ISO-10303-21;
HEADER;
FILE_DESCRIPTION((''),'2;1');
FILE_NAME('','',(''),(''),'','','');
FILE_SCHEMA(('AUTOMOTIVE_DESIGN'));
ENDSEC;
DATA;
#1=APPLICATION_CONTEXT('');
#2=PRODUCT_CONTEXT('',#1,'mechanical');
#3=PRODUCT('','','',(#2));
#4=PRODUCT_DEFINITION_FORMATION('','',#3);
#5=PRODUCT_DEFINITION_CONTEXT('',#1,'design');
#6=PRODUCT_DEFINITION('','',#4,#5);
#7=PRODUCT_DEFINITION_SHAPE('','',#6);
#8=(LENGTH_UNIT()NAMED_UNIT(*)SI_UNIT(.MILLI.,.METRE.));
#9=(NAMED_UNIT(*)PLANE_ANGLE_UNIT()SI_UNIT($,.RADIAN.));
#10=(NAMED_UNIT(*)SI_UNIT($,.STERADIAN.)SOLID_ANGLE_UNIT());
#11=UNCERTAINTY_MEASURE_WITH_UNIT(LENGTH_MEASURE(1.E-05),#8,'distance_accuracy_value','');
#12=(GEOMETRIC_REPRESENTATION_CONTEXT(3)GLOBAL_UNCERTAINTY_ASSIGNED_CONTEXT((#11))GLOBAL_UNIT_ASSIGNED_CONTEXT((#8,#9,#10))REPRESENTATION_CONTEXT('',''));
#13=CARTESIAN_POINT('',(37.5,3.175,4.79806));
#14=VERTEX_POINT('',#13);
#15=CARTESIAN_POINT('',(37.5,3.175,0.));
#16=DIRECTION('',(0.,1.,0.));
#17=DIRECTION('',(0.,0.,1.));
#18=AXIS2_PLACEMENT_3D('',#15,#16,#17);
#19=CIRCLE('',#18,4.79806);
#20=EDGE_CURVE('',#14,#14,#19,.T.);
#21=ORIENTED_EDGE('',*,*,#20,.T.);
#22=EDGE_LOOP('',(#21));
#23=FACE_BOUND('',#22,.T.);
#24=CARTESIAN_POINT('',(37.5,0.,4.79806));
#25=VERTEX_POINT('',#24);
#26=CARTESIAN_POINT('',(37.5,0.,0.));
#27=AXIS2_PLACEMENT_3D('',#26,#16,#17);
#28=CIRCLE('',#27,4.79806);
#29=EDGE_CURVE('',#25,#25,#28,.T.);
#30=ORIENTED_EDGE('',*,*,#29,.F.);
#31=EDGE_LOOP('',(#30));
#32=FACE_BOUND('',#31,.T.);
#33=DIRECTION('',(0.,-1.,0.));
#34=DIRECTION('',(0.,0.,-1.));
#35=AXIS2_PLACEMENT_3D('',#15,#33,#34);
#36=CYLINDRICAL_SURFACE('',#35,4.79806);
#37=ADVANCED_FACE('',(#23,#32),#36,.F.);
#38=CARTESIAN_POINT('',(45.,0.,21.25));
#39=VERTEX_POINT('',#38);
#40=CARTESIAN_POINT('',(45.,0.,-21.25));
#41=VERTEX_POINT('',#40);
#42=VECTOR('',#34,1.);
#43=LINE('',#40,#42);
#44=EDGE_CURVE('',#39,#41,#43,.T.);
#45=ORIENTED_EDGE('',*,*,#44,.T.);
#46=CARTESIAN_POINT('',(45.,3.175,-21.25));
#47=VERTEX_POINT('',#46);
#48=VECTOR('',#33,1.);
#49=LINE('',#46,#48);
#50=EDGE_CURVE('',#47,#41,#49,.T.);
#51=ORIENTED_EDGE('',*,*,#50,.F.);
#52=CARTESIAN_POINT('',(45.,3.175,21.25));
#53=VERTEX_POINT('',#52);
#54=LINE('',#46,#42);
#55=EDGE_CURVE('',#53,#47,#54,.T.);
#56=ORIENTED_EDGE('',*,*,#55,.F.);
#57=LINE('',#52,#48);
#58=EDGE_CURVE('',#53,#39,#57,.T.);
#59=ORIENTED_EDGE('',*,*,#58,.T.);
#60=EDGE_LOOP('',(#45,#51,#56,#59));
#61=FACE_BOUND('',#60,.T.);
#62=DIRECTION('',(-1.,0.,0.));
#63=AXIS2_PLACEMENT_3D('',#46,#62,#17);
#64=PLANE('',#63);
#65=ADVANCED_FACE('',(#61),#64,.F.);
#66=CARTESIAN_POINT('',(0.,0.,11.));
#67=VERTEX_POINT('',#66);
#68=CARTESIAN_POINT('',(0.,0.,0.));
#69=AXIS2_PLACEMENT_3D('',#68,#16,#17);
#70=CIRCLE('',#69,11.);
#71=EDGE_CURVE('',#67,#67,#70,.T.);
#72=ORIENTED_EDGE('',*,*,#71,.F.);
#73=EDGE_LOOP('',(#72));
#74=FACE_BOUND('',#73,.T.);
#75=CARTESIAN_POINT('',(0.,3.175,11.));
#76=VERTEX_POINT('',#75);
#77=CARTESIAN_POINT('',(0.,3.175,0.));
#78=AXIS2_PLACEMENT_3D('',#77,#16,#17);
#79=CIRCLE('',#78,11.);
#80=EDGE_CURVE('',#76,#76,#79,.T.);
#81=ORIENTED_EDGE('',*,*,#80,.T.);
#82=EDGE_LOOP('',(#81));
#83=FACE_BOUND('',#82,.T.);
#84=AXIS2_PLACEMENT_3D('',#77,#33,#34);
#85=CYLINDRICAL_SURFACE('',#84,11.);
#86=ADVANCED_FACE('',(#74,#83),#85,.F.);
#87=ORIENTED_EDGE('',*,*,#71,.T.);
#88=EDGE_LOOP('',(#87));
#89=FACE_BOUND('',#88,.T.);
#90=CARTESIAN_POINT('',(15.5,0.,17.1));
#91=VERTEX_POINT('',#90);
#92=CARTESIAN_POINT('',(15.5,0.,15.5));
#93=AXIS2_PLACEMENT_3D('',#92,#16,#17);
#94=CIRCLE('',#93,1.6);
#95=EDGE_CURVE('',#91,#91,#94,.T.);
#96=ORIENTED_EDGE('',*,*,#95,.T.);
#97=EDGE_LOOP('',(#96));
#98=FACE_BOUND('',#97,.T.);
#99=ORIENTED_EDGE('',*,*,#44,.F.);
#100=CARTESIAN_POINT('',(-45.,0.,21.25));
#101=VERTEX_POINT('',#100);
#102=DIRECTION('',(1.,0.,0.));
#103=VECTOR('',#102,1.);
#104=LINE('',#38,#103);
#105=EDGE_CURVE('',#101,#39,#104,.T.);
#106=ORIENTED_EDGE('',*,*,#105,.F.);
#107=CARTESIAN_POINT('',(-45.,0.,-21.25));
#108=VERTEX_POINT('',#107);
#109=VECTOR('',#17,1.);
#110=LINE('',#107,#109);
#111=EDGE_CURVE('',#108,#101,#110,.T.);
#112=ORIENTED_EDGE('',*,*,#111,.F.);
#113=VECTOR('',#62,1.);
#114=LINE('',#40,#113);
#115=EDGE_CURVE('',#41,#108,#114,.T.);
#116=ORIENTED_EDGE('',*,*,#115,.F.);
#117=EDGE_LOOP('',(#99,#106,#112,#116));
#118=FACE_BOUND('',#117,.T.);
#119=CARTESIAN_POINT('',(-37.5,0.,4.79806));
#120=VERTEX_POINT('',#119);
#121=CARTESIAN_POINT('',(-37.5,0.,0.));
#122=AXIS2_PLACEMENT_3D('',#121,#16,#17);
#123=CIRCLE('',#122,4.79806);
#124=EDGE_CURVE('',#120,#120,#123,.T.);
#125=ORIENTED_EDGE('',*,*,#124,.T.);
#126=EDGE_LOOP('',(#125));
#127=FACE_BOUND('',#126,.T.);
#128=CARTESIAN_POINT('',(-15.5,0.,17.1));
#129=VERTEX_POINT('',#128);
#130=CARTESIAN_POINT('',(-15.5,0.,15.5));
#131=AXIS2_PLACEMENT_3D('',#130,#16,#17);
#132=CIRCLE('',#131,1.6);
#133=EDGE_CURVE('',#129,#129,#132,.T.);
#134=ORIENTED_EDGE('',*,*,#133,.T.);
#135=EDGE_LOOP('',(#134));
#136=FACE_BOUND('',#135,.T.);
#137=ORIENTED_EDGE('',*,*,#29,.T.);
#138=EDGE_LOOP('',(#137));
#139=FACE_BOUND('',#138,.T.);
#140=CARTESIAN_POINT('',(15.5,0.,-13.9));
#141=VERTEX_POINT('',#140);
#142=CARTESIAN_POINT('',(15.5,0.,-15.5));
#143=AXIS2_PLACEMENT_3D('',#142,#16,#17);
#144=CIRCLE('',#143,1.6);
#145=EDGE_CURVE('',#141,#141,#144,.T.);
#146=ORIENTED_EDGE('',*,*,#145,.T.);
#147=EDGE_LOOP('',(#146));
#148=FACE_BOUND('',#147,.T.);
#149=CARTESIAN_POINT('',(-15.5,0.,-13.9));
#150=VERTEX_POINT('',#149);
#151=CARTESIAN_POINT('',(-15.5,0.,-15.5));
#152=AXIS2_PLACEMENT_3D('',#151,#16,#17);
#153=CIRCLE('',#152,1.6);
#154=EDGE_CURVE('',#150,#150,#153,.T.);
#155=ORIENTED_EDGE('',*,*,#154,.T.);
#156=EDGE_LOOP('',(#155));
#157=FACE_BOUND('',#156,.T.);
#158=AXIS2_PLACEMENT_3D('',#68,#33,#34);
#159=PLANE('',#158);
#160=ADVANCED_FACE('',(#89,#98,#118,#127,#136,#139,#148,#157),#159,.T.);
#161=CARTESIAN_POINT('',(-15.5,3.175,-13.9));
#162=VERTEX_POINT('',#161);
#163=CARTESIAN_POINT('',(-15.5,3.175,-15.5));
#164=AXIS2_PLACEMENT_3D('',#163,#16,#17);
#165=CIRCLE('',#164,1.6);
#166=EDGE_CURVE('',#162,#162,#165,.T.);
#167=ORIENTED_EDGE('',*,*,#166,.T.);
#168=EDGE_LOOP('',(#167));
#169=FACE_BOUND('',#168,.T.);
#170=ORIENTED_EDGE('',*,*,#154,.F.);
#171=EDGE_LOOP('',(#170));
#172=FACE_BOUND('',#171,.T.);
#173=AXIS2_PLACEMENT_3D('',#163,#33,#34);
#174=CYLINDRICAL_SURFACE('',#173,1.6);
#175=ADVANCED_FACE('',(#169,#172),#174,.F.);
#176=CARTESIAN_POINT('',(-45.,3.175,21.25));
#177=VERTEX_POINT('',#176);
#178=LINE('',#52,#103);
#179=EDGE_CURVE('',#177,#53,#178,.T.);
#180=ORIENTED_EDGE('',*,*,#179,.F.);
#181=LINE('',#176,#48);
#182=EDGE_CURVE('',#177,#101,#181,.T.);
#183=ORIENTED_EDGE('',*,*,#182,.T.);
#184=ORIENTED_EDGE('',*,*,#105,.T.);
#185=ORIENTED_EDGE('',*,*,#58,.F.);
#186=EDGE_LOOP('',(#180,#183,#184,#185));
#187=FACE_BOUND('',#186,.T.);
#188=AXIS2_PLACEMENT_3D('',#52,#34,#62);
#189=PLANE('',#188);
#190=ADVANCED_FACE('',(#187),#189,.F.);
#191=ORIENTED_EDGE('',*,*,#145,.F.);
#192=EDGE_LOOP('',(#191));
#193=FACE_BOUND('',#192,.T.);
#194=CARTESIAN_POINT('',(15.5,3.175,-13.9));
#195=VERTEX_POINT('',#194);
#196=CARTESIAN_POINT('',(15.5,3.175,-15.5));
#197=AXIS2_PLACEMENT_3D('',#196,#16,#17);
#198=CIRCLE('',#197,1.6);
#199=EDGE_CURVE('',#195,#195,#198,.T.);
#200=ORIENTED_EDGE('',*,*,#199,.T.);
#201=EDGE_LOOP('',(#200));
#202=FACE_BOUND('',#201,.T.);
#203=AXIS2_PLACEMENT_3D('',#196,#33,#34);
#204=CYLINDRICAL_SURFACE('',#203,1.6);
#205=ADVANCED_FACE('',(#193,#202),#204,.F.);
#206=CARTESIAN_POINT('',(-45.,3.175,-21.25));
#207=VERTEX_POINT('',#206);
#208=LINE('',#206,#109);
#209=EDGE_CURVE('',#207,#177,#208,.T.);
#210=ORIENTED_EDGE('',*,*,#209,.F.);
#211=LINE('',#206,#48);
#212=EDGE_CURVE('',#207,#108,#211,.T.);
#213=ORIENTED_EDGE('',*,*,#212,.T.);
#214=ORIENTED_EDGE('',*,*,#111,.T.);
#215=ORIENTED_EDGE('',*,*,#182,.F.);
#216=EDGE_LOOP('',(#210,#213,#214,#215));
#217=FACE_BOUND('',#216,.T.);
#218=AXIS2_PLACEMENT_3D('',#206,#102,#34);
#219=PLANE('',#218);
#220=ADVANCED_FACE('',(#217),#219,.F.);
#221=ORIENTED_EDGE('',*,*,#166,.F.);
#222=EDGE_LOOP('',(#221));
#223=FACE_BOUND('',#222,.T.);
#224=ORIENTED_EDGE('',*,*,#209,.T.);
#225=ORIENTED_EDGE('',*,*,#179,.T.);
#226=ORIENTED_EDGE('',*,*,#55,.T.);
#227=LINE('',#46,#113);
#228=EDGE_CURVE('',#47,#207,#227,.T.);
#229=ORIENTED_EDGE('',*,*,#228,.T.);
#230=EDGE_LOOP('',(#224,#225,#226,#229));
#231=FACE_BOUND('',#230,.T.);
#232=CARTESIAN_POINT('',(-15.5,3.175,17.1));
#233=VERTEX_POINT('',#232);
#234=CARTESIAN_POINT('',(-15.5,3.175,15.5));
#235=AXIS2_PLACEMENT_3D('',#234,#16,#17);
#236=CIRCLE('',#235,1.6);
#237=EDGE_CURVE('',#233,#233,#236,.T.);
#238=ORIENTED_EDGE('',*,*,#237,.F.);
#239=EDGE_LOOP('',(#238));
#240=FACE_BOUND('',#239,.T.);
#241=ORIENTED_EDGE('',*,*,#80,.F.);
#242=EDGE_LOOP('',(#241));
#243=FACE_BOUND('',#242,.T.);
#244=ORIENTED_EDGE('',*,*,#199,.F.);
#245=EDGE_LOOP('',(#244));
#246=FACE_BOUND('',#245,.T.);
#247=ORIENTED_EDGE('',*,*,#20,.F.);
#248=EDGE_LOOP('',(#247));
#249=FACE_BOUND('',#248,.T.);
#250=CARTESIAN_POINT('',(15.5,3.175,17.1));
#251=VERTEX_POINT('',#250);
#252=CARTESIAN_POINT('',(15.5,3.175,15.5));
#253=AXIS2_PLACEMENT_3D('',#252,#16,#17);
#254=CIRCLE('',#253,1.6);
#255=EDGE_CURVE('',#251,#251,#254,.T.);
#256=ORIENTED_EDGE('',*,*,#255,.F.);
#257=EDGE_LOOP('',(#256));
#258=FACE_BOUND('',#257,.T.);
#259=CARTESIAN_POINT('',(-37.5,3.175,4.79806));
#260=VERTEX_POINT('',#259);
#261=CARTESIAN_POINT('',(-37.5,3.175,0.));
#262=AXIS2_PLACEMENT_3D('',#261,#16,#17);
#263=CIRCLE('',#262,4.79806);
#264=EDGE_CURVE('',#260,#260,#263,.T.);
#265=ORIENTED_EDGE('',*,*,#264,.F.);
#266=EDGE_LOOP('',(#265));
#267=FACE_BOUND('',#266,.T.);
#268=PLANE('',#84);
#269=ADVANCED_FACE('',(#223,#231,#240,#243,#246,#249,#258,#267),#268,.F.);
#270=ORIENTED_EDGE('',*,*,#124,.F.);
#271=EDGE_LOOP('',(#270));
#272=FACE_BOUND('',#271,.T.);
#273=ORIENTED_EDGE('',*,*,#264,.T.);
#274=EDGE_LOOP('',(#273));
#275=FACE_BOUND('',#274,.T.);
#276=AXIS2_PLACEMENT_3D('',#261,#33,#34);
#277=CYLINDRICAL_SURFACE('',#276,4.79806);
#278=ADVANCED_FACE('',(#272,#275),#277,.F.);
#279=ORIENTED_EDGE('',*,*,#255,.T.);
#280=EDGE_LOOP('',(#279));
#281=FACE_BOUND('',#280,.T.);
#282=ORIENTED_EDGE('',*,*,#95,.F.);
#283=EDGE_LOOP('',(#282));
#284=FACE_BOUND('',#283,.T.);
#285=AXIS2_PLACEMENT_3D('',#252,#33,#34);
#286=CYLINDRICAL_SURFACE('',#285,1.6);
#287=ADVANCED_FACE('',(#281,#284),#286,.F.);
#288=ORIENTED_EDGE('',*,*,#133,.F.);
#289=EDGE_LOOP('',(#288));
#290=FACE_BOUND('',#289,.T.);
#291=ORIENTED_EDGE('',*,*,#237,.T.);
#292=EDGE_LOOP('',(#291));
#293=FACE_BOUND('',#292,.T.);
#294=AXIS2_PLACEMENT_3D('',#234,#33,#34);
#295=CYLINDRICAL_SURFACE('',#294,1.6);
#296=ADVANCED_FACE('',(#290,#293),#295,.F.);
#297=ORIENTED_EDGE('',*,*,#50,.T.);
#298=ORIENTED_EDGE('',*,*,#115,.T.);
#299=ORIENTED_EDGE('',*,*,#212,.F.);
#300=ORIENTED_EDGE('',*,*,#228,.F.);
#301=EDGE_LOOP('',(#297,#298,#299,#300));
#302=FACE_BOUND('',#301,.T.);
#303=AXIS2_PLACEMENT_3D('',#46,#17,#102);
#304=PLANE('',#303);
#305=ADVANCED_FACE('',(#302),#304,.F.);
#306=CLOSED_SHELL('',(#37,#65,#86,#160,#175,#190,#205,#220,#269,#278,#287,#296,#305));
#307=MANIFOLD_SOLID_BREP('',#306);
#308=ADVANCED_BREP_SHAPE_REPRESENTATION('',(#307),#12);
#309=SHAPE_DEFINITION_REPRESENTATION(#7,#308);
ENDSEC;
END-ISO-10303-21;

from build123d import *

# Parameters (mm, degrees)
SKETCH2_W           = 90
SKETCH2_H           = 42.5
SKETCH2_R           = 11
SKETCH2_R_2         = 1.6
SKETCH2_R_3         = 4.79806
BOSS_EXTRUDE1_DEPTH = 3.175


with BuildPart() as part:
    # Sketch2 → Boss-Extrude1 (new body)
    with BuildSketch(Plane(origin=(0, 0, 0), x_dir=(1, 0, 0), z_dir=(0, 1, 0))):
        Rectangle(SKETCH2_W, SKETCH2_H)
        Circle(SKETCH2_R, mode=Mode.SUBTRACT)
        with Locations((-15.5, 15.5)):
            Circle(SKETCH2_R_2, mode=Mode.SUBTRACT)
        with Locations((15.5, 15.5)):
            Circle(SKETCH2_R_2, mode=Mode.SUBTRACT)
        with Locations((15.5, -15.5)):
            Circle(SKETCH2_R_2, mode=Mode.SUBTRACT)
        with Locations((-15.5, -15.5)):
            Circle(SKETCH2_R_2, mode=Mode.SUBTRACT)
        with Locations((-37.5, 0)):
            Circle(SKETCH2_R_3, mode=Mode.SUBTRACT)
        with Locations((37.5, 0)):
            Circle(SKETCH2_R_3, mode=Mode.SUBTRACT)
    extrude(amount=BOSS_EXTRUDE1_DEPTH)


solid = part.part
